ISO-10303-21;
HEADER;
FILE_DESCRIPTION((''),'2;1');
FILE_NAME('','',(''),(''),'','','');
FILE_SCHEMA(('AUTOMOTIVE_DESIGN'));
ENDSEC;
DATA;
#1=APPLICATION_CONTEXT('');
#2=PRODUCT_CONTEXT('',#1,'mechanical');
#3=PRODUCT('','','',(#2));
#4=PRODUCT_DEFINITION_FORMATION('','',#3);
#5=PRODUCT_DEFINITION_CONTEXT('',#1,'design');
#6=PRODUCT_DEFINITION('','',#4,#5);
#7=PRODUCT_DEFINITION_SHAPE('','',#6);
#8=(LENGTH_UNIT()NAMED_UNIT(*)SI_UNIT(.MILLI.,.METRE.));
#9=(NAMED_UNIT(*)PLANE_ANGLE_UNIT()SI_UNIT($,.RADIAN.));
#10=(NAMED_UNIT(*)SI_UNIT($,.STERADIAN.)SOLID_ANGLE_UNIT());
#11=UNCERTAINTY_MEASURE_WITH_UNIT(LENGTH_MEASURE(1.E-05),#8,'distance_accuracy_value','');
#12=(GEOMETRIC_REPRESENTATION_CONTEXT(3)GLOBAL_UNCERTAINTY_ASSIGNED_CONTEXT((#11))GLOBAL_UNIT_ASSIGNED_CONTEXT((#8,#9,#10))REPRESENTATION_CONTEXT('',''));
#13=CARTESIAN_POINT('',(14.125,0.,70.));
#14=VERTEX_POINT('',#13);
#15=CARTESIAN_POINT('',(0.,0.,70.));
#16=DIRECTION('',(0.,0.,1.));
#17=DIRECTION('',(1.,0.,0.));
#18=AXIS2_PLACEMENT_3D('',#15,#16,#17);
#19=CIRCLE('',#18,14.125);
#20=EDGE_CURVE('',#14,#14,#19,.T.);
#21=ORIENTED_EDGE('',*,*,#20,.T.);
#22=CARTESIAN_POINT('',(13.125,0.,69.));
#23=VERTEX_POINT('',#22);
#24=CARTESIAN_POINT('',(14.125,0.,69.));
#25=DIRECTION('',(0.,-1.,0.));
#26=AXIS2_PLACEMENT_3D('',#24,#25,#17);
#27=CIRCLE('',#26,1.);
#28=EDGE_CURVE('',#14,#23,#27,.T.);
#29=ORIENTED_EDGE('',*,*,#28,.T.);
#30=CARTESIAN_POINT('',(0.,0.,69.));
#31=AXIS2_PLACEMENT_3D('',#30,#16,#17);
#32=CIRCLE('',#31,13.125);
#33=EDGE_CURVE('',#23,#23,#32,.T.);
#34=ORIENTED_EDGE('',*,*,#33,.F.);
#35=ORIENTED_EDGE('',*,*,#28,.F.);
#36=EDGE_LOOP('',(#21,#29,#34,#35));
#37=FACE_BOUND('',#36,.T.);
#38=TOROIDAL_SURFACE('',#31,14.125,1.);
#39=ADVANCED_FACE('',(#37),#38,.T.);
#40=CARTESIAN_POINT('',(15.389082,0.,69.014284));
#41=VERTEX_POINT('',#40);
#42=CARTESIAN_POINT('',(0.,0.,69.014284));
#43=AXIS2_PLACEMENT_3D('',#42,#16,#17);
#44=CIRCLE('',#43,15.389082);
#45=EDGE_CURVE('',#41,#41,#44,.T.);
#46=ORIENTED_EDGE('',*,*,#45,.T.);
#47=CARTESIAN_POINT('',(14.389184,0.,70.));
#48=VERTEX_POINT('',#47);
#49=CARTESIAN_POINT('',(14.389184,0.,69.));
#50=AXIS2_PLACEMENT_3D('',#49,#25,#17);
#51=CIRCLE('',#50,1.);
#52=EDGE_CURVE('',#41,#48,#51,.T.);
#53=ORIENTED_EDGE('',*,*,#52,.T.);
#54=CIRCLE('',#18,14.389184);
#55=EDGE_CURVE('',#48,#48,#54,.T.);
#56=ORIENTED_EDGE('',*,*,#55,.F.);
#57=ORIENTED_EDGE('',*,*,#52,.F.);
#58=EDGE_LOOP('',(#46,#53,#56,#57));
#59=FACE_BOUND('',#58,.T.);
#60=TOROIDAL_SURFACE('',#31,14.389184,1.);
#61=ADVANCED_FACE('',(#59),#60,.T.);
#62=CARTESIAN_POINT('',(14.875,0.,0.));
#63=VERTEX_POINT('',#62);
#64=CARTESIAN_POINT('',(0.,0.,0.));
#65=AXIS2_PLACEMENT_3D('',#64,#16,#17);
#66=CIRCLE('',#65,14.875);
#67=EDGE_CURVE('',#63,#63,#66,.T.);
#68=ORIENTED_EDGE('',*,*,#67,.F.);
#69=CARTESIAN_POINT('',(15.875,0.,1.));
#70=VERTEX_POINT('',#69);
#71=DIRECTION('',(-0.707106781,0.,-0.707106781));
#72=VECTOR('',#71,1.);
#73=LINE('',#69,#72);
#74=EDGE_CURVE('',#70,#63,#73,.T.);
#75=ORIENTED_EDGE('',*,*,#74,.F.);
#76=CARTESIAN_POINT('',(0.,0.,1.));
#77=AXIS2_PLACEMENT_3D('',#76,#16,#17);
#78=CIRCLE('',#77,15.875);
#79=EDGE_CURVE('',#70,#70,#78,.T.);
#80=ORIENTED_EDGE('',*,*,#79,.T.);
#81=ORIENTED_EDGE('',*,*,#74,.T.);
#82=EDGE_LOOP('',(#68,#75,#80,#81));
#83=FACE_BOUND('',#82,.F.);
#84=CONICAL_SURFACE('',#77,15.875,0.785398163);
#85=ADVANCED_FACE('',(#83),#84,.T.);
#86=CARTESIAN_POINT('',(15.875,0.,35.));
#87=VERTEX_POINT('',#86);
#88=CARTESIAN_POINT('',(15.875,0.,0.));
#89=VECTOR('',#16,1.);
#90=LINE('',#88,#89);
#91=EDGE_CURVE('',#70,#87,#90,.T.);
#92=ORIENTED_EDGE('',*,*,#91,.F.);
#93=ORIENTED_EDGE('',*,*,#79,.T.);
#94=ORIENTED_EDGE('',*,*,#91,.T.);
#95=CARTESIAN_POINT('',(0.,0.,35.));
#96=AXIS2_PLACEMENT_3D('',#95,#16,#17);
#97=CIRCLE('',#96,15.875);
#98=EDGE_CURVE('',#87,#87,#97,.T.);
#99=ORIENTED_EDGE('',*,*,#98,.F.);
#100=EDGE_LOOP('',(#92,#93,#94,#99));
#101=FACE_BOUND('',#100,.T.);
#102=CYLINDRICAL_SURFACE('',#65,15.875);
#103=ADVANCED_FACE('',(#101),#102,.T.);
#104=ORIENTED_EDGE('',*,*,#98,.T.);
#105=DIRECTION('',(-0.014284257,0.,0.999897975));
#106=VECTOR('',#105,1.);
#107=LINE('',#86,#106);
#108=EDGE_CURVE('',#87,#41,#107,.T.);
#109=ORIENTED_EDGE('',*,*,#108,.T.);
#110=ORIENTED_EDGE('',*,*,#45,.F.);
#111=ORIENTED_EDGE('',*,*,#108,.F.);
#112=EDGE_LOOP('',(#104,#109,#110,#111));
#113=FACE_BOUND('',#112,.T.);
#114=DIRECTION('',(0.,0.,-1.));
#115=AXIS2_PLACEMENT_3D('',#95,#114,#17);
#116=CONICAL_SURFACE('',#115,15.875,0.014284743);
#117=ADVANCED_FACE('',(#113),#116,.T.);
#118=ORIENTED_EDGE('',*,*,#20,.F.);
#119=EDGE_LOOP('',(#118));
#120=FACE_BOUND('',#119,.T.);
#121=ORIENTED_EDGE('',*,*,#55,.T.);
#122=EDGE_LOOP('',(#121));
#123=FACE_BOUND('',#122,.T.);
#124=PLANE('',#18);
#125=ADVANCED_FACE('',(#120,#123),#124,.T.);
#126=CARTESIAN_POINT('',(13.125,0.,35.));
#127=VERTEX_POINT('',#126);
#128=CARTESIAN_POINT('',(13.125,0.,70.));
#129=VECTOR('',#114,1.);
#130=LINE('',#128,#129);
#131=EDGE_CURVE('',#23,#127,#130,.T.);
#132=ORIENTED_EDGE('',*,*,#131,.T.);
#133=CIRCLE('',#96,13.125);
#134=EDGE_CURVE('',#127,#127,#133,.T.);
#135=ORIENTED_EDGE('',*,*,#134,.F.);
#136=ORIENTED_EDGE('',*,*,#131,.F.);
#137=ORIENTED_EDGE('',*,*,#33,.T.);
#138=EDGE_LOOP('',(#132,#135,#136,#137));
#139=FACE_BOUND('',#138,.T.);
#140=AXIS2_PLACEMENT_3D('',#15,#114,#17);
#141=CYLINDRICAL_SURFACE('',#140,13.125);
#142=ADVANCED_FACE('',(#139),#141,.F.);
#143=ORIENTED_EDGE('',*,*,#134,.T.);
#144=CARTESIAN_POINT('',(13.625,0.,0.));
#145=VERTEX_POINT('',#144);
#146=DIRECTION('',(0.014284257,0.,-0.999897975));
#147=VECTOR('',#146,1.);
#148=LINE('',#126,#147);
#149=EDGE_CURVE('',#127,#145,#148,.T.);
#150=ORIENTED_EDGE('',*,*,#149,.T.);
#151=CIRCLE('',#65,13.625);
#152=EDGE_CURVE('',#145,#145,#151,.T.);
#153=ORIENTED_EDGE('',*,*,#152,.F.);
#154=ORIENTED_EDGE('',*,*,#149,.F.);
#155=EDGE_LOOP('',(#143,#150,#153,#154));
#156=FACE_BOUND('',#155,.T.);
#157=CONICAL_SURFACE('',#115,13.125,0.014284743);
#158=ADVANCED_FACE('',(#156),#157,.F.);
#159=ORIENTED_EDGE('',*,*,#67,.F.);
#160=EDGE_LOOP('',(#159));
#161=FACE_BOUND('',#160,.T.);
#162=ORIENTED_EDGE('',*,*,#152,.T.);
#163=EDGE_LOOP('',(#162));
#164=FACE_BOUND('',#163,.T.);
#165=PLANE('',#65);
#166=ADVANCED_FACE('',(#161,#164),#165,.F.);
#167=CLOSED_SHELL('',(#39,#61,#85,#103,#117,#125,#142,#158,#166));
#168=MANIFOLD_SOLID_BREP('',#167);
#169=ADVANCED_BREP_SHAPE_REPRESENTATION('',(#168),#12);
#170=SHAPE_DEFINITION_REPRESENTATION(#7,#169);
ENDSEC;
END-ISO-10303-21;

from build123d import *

# Parameters (mm, degrees)
F2_R    = 1
F3_SIZE = 1


with BuildPart() as f1:
    # F0 (on Front) → F1 (revolve)
    with BuildSketch(Plane.XZ):
        Polygon((15.875, 0), (15.875, 35), (15.375, 70), (13.125, 70), (13.125, 35), (13.625, 0), align=None)
    revolve(axis=Axis((0, 0, 29.460958), (0, 0, 1)))

    # F2
    f2_edges = [f1.edges().sort_by_distance(p)[0] for p in [
        (-15.375, 0, 70),
        (-13.125, 0, 70),
    ]]
    fillet(f2_edges, radius=F2_R)

    # F3
    f3_edges = [f1.edges().sort_by_distance(p)[0] for p in [
        (-15.875, 0, 0),
    ]]
    chamfer(f3_edges, length=F3_SIZE)


solid = f1.part
